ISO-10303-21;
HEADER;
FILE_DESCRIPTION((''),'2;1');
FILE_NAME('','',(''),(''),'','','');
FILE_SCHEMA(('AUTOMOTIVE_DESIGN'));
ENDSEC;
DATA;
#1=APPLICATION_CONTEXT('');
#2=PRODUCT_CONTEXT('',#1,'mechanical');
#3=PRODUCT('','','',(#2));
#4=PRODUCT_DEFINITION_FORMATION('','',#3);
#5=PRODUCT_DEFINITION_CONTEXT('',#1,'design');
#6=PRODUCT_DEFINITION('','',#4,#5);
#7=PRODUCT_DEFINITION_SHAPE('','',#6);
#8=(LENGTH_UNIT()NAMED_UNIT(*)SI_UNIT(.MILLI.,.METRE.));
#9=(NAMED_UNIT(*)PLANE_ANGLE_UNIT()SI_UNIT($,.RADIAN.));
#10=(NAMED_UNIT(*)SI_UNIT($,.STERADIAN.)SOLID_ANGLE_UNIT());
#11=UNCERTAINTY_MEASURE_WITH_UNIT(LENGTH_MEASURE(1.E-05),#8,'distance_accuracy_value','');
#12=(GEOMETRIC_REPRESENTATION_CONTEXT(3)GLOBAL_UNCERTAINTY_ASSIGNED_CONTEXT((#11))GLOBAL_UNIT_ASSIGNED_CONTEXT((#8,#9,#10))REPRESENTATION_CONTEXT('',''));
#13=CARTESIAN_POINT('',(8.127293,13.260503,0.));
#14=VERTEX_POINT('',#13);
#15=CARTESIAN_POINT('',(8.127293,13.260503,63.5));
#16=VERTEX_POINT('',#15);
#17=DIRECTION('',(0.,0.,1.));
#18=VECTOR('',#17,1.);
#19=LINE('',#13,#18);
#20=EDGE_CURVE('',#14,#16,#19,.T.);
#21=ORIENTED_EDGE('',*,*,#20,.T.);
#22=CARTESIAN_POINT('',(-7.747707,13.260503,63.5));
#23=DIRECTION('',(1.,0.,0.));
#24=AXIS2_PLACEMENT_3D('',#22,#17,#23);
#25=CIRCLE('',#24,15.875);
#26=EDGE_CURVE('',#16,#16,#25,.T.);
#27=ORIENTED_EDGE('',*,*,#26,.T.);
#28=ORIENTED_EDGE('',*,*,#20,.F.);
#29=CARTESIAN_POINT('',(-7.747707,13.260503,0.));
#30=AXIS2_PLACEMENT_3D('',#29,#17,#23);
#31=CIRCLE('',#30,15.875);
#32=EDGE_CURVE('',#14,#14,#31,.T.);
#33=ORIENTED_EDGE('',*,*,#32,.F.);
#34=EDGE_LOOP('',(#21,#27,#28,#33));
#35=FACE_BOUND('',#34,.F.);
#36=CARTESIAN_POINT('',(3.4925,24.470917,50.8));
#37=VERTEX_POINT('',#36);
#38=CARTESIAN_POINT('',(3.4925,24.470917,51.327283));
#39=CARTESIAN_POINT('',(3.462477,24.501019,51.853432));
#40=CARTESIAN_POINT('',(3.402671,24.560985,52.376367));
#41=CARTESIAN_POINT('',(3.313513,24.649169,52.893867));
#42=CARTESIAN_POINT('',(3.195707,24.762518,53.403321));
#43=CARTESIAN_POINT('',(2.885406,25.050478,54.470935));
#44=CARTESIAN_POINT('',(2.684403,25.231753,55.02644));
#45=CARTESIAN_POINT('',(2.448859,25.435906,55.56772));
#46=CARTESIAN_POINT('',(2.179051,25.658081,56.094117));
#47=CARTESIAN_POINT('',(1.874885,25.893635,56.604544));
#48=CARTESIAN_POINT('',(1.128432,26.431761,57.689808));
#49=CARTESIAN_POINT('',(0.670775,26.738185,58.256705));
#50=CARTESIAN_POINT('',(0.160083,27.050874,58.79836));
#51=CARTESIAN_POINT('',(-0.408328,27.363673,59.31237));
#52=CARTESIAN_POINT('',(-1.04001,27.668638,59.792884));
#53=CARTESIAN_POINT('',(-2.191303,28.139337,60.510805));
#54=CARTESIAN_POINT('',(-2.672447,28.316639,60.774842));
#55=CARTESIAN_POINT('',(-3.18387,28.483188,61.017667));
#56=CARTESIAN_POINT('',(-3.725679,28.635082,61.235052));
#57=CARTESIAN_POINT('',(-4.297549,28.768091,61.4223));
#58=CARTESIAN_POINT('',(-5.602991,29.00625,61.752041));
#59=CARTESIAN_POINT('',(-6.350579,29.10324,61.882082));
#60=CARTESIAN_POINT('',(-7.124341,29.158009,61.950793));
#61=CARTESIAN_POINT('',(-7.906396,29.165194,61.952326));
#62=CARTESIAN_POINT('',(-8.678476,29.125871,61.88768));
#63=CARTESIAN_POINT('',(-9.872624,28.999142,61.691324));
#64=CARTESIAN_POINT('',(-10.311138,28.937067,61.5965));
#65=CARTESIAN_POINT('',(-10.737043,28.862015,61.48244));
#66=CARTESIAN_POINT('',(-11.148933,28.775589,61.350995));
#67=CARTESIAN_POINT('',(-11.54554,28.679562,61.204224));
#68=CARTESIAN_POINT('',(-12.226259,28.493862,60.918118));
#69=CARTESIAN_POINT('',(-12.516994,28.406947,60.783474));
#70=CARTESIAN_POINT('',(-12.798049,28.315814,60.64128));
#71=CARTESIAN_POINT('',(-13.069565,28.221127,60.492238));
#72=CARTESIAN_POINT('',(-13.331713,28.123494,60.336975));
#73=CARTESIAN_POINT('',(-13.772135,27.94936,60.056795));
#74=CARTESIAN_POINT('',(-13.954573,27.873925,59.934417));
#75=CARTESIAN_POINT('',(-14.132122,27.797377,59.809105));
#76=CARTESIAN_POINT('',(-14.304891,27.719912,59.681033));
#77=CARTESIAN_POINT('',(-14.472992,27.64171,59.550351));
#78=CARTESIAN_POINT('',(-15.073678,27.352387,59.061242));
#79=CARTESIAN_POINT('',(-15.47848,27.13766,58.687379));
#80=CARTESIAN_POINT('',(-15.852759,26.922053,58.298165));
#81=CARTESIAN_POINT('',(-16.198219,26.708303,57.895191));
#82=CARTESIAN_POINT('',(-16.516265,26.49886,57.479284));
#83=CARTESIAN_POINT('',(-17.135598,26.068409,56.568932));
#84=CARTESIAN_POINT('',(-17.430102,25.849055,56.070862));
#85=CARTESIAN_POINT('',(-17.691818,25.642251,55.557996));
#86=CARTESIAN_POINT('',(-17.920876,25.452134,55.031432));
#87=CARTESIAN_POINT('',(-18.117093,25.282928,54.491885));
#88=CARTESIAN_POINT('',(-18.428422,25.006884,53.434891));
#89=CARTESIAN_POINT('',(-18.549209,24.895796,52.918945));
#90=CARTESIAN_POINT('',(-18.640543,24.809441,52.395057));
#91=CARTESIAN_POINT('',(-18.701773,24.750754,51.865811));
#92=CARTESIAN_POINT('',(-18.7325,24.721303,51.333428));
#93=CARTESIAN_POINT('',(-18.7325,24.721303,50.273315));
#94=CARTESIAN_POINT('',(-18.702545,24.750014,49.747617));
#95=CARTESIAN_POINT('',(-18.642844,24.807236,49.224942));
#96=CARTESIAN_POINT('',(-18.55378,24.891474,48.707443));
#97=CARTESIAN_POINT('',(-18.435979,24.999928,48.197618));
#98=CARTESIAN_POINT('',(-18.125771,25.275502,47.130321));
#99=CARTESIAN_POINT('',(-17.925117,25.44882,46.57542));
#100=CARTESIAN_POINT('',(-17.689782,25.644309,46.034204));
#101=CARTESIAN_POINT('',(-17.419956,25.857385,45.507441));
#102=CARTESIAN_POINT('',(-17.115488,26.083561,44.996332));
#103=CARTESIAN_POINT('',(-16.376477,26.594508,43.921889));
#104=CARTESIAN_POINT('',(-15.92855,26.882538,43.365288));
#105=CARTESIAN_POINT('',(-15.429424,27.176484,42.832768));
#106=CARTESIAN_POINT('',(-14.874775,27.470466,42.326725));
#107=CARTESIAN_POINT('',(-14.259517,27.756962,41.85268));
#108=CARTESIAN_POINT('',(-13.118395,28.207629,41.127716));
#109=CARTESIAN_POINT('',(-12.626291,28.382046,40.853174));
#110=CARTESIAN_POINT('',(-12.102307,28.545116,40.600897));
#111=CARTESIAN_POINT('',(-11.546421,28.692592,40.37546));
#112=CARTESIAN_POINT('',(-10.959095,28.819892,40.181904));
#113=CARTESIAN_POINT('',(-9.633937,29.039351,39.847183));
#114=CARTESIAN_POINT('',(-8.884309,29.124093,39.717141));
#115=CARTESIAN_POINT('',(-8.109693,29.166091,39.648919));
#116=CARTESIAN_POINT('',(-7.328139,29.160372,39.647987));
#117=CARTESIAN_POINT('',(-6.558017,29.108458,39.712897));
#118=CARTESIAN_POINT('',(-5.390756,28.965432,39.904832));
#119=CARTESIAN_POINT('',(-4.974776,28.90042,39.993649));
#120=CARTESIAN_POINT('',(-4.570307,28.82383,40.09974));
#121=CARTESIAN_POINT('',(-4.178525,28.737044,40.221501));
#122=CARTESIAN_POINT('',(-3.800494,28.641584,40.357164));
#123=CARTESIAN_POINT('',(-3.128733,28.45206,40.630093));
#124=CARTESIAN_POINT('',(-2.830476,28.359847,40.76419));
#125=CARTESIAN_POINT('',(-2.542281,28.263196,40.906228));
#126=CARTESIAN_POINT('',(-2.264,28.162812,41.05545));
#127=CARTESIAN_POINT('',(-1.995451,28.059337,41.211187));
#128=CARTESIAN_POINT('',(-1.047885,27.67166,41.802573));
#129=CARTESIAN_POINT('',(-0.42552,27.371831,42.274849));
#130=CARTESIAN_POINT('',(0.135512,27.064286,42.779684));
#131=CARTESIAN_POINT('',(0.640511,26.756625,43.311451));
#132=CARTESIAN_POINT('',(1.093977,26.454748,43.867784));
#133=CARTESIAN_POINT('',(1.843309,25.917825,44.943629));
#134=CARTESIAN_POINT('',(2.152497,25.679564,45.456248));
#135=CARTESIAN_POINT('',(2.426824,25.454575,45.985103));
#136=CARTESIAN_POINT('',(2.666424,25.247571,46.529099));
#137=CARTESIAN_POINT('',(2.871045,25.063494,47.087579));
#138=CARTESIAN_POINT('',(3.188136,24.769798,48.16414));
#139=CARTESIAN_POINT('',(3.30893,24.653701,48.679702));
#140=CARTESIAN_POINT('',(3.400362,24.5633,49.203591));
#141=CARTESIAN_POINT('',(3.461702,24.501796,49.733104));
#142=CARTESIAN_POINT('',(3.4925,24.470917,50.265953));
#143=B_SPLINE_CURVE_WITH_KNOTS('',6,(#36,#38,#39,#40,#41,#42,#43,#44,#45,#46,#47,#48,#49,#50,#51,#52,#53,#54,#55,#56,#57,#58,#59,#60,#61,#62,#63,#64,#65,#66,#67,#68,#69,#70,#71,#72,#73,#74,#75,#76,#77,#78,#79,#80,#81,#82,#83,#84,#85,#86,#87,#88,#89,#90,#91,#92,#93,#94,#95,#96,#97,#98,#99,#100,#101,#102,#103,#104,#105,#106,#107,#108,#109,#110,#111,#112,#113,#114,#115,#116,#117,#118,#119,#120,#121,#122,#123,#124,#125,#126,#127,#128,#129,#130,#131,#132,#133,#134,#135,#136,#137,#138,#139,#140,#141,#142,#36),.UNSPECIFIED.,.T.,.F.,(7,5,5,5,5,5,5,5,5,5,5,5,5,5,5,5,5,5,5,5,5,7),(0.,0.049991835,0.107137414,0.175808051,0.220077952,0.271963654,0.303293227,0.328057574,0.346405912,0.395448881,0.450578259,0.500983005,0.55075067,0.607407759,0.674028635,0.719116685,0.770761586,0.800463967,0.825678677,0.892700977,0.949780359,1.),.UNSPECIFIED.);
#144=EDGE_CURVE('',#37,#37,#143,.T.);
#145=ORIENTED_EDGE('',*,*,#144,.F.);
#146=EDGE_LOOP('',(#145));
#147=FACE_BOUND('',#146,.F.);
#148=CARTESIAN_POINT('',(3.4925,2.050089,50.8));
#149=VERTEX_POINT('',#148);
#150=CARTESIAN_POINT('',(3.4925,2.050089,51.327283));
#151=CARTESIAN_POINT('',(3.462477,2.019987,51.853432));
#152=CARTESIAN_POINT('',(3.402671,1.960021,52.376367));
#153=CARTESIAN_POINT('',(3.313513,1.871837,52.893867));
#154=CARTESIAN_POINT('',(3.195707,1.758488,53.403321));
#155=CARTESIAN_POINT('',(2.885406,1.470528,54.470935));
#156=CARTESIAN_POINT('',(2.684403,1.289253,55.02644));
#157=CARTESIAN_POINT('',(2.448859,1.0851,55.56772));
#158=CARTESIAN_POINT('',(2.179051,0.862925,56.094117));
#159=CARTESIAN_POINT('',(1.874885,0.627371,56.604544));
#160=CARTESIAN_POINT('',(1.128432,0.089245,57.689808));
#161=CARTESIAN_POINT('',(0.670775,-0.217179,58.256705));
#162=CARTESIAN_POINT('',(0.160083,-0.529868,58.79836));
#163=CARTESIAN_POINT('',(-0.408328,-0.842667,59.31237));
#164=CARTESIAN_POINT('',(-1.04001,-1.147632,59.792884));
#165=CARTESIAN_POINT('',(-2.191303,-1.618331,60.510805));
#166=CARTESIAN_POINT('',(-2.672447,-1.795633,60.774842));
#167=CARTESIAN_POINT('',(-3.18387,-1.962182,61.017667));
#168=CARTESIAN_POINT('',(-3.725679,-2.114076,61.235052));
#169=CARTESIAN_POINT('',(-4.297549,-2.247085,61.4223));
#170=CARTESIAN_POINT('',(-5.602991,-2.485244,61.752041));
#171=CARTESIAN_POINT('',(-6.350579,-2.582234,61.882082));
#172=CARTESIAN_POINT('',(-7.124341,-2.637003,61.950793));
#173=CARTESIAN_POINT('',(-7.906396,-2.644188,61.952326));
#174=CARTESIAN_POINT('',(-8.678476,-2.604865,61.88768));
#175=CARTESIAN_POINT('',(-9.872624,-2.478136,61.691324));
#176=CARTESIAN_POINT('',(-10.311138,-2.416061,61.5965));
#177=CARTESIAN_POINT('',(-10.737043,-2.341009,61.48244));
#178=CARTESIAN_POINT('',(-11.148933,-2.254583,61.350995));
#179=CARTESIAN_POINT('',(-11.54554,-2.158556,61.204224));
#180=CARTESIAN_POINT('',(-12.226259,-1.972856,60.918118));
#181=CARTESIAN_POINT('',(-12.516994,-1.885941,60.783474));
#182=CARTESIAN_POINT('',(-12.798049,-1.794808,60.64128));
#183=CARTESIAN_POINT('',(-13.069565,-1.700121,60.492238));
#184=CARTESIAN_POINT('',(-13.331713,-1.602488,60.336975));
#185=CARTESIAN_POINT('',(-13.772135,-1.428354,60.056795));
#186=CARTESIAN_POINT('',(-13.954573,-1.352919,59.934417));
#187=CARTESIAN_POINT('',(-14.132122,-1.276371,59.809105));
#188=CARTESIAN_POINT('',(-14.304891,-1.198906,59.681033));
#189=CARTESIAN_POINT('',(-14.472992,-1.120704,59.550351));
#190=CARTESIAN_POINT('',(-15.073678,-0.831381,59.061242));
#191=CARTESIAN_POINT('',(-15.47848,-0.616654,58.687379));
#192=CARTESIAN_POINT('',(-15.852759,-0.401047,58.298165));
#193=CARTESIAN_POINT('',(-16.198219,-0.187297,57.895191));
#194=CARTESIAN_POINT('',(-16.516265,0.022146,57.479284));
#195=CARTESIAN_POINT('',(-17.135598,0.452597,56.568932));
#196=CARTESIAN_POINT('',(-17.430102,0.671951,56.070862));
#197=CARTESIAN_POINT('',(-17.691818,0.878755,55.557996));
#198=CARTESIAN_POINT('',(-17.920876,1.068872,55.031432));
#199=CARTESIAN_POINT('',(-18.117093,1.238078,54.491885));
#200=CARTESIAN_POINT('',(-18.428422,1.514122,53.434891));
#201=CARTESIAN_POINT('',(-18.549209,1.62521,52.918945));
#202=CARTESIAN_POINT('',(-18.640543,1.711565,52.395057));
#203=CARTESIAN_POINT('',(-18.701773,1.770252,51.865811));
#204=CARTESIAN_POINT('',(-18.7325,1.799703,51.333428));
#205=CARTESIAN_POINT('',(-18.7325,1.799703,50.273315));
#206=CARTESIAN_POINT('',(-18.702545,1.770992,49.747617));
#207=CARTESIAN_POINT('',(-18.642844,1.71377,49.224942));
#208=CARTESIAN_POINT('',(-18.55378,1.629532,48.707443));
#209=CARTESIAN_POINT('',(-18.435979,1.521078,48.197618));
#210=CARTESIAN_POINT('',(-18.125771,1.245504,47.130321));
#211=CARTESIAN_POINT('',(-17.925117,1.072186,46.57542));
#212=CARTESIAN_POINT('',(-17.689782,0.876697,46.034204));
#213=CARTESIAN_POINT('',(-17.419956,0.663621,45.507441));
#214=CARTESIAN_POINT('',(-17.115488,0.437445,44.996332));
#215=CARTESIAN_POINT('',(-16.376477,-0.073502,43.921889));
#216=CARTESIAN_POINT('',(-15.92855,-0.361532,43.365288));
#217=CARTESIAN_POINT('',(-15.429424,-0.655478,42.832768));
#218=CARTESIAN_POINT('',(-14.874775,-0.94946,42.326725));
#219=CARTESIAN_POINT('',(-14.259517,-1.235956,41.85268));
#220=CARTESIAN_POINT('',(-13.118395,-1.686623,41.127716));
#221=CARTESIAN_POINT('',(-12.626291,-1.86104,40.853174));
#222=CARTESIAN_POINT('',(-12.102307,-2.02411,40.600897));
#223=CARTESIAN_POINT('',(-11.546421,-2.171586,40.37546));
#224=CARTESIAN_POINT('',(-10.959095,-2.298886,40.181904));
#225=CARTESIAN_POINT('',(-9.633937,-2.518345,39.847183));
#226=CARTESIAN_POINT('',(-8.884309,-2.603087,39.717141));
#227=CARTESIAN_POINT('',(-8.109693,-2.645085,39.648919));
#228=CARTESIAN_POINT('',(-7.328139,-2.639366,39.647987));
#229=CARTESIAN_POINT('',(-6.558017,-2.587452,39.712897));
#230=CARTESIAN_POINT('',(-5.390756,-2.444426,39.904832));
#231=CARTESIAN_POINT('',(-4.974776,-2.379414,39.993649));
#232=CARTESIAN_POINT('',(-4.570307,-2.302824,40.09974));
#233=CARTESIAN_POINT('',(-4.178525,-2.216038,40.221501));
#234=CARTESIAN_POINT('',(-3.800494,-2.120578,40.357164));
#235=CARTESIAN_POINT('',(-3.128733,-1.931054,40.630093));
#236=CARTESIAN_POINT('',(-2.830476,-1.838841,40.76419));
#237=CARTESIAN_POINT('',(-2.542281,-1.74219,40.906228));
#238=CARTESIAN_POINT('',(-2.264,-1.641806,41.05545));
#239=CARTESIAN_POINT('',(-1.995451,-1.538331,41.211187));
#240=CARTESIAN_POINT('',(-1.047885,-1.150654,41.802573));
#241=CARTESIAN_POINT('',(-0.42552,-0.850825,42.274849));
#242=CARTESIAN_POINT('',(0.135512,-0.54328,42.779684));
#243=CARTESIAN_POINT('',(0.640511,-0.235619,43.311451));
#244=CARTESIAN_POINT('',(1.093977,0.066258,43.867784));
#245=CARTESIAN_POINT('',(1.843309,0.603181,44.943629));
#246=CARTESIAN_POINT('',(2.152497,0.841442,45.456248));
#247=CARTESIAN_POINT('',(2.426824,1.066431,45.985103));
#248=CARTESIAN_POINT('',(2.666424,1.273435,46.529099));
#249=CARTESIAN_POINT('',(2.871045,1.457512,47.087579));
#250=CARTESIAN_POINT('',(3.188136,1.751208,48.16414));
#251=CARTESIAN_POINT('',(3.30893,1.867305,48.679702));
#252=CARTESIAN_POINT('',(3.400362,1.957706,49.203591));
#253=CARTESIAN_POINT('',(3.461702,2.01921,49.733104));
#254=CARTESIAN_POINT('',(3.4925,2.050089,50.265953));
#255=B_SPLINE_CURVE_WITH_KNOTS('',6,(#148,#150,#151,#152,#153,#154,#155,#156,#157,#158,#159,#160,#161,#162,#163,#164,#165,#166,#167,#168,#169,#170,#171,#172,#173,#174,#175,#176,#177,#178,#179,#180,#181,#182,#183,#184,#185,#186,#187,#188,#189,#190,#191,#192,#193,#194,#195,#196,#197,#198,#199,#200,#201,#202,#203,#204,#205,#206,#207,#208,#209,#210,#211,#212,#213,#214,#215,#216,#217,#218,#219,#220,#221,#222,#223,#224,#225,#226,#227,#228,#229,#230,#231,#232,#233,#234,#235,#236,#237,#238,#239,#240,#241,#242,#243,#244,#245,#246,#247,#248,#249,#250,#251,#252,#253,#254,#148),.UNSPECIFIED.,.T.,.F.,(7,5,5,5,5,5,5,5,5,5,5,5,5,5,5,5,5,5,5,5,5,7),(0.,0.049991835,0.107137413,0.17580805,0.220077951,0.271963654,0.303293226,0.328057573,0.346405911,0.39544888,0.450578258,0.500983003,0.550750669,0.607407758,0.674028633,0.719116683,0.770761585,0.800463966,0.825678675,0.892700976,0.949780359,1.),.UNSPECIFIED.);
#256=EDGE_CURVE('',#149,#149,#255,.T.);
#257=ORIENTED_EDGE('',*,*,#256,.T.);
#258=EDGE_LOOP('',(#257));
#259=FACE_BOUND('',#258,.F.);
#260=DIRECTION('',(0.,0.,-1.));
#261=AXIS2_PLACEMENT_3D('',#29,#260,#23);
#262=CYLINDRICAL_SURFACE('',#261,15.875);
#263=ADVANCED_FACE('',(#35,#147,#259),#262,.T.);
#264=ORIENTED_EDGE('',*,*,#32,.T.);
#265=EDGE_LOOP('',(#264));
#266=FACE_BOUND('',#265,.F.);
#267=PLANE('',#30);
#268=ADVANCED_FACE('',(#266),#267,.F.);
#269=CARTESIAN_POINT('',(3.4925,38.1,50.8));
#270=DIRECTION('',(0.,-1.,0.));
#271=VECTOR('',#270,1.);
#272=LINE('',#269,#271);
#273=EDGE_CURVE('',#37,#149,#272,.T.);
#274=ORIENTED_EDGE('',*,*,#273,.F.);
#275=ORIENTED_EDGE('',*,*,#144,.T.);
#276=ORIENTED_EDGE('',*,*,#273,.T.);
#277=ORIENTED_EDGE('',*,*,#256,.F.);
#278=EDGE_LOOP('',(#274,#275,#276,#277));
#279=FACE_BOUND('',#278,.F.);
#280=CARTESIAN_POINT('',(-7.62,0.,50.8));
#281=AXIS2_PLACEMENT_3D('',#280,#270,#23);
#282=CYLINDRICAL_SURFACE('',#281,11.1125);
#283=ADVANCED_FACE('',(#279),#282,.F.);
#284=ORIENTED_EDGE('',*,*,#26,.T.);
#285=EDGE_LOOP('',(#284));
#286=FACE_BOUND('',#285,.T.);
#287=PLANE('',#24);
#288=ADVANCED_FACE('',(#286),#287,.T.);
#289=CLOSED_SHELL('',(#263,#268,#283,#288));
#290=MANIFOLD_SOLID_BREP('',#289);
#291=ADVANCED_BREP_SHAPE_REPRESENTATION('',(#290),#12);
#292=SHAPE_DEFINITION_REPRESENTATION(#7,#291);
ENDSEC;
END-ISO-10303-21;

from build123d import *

# Parameters (mm, degrees)
F0_R     = 15.875
F1_DEPTH = 63.5
F2_R     = 11.1125
F3_DEPTH = 38.1


with BuildPart() as f1:
    # F0 (on Top) → F1 (new body)
    with BuildSketch(Plane.XY):
        with Locations((-7.747707, 13.260503)):
            Circle(F0_R)
    extrude(amount=F1_DEPTH)

    # F2 (on Front) → F3 (cut, symmetric)
    with BuildSketch(Plane.XZ):
        with Locations((-7.62, 50.8)):
            Circle(F2_R)
    extrude(amount=F3_DEPTH, both=True, mode=Mode.SUBTRACT)


solid = f1.part
